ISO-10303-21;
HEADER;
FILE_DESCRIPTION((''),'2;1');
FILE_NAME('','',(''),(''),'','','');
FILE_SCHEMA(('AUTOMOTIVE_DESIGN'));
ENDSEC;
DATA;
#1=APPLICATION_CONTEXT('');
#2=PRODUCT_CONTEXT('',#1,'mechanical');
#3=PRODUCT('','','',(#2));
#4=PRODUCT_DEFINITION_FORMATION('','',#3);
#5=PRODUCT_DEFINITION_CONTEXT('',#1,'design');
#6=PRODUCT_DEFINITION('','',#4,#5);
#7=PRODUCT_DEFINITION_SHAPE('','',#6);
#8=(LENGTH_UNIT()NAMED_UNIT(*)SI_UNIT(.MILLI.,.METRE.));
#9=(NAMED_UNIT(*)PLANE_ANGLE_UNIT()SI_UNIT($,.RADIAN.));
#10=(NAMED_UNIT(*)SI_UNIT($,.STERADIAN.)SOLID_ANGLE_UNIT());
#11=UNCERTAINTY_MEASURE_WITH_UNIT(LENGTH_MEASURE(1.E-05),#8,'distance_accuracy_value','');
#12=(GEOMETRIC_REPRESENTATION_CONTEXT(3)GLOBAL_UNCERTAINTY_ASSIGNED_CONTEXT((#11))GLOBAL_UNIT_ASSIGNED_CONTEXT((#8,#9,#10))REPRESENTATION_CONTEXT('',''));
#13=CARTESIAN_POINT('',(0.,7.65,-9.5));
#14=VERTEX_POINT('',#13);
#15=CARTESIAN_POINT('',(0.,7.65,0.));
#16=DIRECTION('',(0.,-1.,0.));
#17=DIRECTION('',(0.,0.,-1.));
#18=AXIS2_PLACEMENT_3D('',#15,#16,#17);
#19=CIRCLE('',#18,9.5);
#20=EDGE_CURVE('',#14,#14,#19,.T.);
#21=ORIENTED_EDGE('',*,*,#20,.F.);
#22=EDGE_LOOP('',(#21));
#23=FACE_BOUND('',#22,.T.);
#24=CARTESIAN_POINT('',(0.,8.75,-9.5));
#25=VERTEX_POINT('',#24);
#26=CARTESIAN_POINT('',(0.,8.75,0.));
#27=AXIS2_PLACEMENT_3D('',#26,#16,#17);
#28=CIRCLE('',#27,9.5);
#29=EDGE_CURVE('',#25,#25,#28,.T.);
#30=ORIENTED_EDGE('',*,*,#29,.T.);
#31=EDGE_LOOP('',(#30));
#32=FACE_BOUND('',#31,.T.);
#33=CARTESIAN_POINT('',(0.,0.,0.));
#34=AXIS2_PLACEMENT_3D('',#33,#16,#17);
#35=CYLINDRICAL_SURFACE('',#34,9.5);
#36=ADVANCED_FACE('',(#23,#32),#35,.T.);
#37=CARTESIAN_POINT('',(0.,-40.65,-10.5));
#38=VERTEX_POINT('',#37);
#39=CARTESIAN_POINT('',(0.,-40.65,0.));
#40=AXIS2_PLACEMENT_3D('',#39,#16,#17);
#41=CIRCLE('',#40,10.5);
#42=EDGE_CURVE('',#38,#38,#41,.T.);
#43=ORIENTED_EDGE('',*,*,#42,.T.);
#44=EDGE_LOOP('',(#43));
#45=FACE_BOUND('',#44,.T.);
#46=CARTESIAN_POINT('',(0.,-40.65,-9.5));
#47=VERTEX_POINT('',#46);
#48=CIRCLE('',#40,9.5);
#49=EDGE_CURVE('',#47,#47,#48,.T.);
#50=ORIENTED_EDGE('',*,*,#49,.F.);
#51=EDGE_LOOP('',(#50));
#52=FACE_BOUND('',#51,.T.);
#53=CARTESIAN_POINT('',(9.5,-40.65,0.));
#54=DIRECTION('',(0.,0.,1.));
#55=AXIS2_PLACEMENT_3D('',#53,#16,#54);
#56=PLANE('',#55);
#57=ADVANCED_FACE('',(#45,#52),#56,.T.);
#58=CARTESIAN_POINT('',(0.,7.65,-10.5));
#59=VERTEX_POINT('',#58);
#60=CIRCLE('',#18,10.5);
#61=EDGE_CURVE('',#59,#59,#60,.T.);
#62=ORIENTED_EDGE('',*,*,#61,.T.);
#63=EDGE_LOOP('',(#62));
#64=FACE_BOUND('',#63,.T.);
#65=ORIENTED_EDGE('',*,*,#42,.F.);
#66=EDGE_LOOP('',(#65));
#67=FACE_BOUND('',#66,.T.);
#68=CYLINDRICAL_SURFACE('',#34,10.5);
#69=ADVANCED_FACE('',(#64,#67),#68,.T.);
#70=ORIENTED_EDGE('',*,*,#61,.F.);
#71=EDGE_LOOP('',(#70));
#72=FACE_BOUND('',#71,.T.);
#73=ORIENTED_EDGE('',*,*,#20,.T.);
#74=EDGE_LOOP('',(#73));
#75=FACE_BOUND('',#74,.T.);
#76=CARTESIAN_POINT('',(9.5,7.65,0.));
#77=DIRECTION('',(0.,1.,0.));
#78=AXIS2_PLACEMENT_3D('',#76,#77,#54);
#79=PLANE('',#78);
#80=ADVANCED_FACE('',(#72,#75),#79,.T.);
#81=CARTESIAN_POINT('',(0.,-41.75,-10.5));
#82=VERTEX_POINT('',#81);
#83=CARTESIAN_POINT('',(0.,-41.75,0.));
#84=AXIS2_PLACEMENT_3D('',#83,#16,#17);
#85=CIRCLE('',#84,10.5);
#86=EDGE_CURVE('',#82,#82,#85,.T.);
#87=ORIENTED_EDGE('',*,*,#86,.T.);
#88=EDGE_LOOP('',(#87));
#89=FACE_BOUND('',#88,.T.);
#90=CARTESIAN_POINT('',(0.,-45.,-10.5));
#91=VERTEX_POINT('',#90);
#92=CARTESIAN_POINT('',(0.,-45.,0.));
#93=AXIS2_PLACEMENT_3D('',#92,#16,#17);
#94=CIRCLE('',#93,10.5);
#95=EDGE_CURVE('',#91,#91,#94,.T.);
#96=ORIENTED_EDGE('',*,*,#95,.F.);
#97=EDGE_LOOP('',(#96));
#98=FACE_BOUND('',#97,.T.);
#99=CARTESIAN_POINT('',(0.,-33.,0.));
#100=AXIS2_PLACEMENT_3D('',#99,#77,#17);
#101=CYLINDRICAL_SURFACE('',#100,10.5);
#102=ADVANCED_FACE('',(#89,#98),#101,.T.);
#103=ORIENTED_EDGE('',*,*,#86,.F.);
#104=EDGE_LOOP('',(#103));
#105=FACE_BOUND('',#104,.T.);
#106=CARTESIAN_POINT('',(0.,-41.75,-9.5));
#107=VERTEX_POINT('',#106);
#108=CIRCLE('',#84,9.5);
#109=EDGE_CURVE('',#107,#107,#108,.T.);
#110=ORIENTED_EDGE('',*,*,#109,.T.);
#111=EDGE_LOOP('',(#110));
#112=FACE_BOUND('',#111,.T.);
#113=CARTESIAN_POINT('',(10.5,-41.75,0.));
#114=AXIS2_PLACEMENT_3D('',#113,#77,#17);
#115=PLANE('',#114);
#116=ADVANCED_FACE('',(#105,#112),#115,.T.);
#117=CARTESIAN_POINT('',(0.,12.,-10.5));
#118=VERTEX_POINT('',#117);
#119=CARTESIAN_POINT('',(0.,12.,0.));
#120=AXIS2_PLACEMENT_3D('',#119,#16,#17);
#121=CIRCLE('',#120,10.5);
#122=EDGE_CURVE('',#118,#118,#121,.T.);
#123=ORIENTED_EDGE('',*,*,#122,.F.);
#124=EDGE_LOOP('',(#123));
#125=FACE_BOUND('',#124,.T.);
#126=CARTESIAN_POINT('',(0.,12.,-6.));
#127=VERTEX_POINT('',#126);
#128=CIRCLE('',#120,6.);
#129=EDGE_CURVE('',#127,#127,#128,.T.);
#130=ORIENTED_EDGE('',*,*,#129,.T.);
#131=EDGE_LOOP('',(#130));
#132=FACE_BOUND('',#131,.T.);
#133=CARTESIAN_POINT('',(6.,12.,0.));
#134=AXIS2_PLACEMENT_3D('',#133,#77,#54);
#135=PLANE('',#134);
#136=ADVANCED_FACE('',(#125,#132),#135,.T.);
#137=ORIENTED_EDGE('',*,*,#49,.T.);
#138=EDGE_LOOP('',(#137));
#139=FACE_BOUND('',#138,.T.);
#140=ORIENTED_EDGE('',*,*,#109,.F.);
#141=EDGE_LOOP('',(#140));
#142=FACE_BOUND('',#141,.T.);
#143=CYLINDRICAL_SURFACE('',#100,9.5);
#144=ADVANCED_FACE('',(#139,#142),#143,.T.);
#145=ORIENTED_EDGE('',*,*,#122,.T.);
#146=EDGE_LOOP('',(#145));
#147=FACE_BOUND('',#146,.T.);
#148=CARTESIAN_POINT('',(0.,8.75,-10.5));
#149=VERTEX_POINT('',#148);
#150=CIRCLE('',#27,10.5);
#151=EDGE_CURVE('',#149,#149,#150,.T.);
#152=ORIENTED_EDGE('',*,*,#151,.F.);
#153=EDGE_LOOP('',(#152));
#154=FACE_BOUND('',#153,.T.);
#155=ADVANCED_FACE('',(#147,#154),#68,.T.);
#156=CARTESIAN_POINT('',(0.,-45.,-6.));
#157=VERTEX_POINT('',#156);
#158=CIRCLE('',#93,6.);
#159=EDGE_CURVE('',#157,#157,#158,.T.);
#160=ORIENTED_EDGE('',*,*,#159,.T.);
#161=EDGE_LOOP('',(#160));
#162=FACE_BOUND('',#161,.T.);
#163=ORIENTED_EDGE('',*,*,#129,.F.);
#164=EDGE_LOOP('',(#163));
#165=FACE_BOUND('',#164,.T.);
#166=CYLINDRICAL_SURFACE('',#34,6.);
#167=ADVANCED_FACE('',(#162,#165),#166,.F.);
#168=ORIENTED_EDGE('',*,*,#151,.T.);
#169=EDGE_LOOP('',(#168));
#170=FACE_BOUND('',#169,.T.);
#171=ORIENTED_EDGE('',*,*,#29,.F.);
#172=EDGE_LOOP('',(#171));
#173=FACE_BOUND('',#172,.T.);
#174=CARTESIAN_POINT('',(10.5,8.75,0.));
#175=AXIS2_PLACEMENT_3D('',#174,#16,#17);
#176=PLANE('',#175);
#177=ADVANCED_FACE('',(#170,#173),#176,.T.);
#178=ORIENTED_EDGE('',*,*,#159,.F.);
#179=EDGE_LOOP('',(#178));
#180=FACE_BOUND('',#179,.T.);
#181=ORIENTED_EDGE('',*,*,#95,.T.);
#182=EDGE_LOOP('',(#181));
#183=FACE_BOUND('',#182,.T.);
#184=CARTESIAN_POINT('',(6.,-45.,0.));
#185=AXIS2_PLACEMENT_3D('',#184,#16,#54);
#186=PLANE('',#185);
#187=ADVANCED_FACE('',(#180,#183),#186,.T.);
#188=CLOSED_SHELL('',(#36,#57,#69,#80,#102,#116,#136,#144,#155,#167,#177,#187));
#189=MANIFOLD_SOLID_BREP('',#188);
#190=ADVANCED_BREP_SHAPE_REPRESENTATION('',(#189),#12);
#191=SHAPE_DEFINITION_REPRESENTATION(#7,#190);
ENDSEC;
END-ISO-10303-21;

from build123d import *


with BuildPart() as part:
    # Sketch1 → Revolve1 (revolve)
    with BuildSketch(Plane.XY, mode=Mode.PRIVATE) as revolve1_sk:
        Polygon((6, -16.5), (6, 12), (10.5, 12), (10.5, 8.75), (9.5, 8.75), (9.5, 7.65), (10.5, 7.65), (10.5, -16.5), align=None)
    revolve1 = revolve(revolve1_sk.sketch.rotate(Axis((0, 0, 0), (0, 1, 0)), 90), axis=Axis((0, 0, 0), (0, 1, 0)))

    # Mirror1: Revolve1 across plane
    add(revolve1.mirror(Plane(origin=(6, -16.5, 0), x_dir=(0, 0, 1), z_dir=(0, -1, 0))))


solid = part.part
